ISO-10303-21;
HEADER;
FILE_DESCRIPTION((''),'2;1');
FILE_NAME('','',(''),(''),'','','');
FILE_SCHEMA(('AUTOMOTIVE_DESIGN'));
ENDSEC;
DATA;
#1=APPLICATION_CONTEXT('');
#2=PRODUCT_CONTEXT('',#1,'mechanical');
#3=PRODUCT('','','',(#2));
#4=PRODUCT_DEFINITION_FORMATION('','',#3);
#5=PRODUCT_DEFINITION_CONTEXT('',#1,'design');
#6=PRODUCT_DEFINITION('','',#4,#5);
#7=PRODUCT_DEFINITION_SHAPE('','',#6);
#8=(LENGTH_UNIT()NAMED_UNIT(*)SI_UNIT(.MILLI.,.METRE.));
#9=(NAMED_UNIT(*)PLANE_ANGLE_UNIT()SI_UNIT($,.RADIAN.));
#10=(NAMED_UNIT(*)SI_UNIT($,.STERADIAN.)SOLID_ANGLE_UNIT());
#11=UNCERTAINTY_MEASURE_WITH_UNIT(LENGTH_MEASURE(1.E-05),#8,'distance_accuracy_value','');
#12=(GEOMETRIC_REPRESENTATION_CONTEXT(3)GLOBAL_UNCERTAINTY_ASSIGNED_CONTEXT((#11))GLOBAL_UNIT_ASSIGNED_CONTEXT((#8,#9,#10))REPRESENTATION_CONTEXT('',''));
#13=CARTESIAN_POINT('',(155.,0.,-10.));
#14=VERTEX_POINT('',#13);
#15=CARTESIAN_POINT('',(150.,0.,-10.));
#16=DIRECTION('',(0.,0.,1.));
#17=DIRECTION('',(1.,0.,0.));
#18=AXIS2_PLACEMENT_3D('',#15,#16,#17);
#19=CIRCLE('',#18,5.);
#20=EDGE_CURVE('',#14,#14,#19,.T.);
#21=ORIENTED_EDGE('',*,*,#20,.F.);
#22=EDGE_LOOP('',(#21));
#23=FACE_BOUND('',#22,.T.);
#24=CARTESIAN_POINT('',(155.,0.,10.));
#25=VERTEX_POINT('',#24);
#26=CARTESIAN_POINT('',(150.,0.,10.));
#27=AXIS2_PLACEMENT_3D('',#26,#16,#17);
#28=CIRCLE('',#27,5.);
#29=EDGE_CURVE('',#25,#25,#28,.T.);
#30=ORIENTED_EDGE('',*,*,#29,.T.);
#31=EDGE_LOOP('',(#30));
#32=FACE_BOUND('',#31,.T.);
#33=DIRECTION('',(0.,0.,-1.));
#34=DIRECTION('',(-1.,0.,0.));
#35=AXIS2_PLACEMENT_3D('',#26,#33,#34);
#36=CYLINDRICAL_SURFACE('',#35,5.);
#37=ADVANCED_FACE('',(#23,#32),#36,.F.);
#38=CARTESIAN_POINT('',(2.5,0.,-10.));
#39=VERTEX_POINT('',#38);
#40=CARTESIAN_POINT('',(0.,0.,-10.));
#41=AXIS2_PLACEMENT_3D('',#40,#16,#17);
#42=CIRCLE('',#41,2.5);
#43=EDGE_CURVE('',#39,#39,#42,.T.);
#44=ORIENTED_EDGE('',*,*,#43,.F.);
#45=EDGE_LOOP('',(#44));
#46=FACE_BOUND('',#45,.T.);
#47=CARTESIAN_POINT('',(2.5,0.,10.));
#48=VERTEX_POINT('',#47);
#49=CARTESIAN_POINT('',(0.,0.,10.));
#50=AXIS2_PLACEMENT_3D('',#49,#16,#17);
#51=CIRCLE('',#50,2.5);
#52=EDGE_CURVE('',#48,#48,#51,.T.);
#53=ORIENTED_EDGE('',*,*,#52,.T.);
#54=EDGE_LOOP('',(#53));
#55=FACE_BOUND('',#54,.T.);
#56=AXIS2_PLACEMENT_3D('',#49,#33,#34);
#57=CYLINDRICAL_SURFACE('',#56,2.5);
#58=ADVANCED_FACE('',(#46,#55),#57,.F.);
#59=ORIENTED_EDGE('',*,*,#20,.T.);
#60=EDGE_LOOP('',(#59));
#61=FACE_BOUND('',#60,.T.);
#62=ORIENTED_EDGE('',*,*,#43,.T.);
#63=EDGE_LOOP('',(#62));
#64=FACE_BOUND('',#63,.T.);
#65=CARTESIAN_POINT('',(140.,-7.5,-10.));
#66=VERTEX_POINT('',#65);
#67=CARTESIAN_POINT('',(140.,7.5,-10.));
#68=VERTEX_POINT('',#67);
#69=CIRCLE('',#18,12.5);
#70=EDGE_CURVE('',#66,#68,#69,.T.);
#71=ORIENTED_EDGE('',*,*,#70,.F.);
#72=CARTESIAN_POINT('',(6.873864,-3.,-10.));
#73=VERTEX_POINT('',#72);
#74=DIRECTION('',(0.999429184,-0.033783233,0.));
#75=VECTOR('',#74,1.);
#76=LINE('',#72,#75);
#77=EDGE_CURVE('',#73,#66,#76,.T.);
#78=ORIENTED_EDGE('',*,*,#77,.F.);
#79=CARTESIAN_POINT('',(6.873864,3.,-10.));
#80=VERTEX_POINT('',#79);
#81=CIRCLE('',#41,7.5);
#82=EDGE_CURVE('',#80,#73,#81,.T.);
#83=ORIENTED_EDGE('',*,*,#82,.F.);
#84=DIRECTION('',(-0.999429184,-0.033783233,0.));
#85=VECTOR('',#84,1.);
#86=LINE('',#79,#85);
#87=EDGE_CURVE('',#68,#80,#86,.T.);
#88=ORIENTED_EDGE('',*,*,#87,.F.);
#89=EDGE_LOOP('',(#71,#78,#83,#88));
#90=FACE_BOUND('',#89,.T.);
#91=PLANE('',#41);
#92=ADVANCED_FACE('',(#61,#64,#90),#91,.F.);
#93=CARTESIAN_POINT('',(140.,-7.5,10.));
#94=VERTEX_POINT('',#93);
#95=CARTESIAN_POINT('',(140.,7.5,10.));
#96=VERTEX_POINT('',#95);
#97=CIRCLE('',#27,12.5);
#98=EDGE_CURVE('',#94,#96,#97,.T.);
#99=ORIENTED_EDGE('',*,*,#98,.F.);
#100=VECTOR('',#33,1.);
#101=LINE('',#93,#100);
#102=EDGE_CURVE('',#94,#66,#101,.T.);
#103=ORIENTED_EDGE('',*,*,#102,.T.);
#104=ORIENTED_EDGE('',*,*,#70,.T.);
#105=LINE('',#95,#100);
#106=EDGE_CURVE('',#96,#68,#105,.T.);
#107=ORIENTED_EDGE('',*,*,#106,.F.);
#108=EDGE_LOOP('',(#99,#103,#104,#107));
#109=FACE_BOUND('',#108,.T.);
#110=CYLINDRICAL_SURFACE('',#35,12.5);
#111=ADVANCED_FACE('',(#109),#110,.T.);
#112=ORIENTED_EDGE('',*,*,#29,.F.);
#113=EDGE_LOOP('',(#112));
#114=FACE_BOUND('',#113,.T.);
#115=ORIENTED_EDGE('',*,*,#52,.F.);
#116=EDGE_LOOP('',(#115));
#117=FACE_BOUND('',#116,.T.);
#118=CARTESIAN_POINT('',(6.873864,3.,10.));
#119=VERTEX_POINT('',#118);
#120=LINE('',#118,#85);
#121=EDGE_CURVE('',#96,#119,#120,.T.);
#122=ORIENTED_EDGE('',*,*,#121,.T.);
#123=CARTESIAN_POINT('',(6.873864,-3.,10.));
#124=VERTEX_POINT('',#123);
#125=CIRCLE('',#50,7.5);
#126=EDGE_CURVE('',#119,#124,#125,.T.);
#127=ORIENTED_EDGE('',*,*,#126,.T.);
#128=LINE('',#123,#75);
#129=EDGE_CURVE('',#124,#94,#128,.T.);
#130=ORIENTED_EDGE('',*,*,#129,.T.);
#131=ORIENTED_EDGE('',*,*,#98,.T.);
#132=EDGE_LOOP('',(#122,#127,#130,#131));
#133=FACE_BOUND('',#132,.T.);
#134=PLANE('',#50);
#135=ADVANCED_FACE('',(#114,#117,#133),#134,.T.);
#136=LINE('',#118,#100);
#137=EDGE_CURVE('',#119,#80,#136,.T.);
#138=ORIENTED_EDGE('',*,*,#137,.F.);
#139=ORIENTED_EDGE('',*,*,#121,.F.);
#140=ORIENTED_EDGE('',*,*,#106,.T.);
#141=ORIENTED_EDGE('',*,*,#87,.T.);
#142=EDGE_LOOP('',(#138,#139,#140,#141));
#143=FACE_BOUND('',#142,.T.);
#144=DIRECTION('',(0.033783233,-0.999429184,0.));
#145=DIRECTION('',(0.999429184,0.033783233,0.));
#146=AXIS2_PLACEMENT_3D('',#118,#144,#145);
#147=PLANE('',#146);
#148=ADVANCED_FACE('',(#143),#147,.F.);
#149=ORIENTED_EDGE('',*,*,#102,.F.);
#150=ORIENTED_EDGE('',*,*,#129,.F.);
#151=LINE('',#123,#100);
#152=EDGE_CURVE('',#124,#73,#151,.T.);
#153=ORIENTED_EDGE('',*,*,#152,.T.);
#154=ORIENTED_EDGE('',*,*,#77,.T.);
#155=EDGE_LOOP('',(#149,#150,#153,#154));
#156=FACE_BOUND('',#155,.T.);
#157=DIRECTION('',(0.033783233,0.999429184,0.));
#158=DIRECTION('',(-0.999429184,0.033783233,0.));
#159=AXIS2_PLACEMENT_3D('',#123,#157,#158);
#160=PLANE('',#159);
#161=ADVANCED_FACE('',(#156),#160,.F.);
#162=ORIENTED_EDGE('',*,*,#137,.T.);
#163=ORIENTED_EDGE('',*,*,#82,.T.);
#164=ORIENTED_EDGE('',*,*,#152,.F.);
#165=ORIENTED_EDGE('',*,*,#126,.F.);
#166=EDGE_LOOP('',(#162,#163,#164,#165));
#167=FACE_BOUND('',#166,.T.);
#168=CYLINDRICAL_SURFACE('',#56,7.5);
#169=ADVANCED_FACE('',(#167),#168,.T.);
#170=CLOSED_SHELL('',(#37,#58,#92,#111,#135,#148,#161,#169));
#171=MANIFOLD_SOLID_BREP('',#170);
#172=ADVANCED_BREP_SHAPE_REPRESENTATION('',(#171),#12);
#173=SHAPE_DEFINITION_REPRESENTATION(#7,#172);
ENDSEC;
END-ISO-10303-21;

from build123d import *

# Parameters (mm, degrees)
SKETCH3_R           = 2.5
SKETCH3_R_2         = 5
BOSS_EXTRUDE2_DEPTH = 10


with BuildPart() as part:
    # Sketch3 → Boss-Extrude2 (new, symmetric)
    with BuildSketch(Plane.XY):
        with BuildLine():
            Line((6.873863542, 3), (140, 7.5))
            ThreePointArc((140, 7.5), (162.5, 0), (140, -7.5))
            Line((140, -7.5), (6.873863542, -3))
            ThreePointArc((6.873863542, -3), (-7.5, 0), (6.873863542, 3))
        make_face()
        Circle(SKETCH3_R, mode=Mode.SUBTRACT)
        with Locations((150, 0)):
            Circle(SKETCH3_R_2, mode=Mode.SUBTRACT)
    extrude(amount=BOSS_EXTRUDE2_DEPTH, both=True)


solid = part.part
